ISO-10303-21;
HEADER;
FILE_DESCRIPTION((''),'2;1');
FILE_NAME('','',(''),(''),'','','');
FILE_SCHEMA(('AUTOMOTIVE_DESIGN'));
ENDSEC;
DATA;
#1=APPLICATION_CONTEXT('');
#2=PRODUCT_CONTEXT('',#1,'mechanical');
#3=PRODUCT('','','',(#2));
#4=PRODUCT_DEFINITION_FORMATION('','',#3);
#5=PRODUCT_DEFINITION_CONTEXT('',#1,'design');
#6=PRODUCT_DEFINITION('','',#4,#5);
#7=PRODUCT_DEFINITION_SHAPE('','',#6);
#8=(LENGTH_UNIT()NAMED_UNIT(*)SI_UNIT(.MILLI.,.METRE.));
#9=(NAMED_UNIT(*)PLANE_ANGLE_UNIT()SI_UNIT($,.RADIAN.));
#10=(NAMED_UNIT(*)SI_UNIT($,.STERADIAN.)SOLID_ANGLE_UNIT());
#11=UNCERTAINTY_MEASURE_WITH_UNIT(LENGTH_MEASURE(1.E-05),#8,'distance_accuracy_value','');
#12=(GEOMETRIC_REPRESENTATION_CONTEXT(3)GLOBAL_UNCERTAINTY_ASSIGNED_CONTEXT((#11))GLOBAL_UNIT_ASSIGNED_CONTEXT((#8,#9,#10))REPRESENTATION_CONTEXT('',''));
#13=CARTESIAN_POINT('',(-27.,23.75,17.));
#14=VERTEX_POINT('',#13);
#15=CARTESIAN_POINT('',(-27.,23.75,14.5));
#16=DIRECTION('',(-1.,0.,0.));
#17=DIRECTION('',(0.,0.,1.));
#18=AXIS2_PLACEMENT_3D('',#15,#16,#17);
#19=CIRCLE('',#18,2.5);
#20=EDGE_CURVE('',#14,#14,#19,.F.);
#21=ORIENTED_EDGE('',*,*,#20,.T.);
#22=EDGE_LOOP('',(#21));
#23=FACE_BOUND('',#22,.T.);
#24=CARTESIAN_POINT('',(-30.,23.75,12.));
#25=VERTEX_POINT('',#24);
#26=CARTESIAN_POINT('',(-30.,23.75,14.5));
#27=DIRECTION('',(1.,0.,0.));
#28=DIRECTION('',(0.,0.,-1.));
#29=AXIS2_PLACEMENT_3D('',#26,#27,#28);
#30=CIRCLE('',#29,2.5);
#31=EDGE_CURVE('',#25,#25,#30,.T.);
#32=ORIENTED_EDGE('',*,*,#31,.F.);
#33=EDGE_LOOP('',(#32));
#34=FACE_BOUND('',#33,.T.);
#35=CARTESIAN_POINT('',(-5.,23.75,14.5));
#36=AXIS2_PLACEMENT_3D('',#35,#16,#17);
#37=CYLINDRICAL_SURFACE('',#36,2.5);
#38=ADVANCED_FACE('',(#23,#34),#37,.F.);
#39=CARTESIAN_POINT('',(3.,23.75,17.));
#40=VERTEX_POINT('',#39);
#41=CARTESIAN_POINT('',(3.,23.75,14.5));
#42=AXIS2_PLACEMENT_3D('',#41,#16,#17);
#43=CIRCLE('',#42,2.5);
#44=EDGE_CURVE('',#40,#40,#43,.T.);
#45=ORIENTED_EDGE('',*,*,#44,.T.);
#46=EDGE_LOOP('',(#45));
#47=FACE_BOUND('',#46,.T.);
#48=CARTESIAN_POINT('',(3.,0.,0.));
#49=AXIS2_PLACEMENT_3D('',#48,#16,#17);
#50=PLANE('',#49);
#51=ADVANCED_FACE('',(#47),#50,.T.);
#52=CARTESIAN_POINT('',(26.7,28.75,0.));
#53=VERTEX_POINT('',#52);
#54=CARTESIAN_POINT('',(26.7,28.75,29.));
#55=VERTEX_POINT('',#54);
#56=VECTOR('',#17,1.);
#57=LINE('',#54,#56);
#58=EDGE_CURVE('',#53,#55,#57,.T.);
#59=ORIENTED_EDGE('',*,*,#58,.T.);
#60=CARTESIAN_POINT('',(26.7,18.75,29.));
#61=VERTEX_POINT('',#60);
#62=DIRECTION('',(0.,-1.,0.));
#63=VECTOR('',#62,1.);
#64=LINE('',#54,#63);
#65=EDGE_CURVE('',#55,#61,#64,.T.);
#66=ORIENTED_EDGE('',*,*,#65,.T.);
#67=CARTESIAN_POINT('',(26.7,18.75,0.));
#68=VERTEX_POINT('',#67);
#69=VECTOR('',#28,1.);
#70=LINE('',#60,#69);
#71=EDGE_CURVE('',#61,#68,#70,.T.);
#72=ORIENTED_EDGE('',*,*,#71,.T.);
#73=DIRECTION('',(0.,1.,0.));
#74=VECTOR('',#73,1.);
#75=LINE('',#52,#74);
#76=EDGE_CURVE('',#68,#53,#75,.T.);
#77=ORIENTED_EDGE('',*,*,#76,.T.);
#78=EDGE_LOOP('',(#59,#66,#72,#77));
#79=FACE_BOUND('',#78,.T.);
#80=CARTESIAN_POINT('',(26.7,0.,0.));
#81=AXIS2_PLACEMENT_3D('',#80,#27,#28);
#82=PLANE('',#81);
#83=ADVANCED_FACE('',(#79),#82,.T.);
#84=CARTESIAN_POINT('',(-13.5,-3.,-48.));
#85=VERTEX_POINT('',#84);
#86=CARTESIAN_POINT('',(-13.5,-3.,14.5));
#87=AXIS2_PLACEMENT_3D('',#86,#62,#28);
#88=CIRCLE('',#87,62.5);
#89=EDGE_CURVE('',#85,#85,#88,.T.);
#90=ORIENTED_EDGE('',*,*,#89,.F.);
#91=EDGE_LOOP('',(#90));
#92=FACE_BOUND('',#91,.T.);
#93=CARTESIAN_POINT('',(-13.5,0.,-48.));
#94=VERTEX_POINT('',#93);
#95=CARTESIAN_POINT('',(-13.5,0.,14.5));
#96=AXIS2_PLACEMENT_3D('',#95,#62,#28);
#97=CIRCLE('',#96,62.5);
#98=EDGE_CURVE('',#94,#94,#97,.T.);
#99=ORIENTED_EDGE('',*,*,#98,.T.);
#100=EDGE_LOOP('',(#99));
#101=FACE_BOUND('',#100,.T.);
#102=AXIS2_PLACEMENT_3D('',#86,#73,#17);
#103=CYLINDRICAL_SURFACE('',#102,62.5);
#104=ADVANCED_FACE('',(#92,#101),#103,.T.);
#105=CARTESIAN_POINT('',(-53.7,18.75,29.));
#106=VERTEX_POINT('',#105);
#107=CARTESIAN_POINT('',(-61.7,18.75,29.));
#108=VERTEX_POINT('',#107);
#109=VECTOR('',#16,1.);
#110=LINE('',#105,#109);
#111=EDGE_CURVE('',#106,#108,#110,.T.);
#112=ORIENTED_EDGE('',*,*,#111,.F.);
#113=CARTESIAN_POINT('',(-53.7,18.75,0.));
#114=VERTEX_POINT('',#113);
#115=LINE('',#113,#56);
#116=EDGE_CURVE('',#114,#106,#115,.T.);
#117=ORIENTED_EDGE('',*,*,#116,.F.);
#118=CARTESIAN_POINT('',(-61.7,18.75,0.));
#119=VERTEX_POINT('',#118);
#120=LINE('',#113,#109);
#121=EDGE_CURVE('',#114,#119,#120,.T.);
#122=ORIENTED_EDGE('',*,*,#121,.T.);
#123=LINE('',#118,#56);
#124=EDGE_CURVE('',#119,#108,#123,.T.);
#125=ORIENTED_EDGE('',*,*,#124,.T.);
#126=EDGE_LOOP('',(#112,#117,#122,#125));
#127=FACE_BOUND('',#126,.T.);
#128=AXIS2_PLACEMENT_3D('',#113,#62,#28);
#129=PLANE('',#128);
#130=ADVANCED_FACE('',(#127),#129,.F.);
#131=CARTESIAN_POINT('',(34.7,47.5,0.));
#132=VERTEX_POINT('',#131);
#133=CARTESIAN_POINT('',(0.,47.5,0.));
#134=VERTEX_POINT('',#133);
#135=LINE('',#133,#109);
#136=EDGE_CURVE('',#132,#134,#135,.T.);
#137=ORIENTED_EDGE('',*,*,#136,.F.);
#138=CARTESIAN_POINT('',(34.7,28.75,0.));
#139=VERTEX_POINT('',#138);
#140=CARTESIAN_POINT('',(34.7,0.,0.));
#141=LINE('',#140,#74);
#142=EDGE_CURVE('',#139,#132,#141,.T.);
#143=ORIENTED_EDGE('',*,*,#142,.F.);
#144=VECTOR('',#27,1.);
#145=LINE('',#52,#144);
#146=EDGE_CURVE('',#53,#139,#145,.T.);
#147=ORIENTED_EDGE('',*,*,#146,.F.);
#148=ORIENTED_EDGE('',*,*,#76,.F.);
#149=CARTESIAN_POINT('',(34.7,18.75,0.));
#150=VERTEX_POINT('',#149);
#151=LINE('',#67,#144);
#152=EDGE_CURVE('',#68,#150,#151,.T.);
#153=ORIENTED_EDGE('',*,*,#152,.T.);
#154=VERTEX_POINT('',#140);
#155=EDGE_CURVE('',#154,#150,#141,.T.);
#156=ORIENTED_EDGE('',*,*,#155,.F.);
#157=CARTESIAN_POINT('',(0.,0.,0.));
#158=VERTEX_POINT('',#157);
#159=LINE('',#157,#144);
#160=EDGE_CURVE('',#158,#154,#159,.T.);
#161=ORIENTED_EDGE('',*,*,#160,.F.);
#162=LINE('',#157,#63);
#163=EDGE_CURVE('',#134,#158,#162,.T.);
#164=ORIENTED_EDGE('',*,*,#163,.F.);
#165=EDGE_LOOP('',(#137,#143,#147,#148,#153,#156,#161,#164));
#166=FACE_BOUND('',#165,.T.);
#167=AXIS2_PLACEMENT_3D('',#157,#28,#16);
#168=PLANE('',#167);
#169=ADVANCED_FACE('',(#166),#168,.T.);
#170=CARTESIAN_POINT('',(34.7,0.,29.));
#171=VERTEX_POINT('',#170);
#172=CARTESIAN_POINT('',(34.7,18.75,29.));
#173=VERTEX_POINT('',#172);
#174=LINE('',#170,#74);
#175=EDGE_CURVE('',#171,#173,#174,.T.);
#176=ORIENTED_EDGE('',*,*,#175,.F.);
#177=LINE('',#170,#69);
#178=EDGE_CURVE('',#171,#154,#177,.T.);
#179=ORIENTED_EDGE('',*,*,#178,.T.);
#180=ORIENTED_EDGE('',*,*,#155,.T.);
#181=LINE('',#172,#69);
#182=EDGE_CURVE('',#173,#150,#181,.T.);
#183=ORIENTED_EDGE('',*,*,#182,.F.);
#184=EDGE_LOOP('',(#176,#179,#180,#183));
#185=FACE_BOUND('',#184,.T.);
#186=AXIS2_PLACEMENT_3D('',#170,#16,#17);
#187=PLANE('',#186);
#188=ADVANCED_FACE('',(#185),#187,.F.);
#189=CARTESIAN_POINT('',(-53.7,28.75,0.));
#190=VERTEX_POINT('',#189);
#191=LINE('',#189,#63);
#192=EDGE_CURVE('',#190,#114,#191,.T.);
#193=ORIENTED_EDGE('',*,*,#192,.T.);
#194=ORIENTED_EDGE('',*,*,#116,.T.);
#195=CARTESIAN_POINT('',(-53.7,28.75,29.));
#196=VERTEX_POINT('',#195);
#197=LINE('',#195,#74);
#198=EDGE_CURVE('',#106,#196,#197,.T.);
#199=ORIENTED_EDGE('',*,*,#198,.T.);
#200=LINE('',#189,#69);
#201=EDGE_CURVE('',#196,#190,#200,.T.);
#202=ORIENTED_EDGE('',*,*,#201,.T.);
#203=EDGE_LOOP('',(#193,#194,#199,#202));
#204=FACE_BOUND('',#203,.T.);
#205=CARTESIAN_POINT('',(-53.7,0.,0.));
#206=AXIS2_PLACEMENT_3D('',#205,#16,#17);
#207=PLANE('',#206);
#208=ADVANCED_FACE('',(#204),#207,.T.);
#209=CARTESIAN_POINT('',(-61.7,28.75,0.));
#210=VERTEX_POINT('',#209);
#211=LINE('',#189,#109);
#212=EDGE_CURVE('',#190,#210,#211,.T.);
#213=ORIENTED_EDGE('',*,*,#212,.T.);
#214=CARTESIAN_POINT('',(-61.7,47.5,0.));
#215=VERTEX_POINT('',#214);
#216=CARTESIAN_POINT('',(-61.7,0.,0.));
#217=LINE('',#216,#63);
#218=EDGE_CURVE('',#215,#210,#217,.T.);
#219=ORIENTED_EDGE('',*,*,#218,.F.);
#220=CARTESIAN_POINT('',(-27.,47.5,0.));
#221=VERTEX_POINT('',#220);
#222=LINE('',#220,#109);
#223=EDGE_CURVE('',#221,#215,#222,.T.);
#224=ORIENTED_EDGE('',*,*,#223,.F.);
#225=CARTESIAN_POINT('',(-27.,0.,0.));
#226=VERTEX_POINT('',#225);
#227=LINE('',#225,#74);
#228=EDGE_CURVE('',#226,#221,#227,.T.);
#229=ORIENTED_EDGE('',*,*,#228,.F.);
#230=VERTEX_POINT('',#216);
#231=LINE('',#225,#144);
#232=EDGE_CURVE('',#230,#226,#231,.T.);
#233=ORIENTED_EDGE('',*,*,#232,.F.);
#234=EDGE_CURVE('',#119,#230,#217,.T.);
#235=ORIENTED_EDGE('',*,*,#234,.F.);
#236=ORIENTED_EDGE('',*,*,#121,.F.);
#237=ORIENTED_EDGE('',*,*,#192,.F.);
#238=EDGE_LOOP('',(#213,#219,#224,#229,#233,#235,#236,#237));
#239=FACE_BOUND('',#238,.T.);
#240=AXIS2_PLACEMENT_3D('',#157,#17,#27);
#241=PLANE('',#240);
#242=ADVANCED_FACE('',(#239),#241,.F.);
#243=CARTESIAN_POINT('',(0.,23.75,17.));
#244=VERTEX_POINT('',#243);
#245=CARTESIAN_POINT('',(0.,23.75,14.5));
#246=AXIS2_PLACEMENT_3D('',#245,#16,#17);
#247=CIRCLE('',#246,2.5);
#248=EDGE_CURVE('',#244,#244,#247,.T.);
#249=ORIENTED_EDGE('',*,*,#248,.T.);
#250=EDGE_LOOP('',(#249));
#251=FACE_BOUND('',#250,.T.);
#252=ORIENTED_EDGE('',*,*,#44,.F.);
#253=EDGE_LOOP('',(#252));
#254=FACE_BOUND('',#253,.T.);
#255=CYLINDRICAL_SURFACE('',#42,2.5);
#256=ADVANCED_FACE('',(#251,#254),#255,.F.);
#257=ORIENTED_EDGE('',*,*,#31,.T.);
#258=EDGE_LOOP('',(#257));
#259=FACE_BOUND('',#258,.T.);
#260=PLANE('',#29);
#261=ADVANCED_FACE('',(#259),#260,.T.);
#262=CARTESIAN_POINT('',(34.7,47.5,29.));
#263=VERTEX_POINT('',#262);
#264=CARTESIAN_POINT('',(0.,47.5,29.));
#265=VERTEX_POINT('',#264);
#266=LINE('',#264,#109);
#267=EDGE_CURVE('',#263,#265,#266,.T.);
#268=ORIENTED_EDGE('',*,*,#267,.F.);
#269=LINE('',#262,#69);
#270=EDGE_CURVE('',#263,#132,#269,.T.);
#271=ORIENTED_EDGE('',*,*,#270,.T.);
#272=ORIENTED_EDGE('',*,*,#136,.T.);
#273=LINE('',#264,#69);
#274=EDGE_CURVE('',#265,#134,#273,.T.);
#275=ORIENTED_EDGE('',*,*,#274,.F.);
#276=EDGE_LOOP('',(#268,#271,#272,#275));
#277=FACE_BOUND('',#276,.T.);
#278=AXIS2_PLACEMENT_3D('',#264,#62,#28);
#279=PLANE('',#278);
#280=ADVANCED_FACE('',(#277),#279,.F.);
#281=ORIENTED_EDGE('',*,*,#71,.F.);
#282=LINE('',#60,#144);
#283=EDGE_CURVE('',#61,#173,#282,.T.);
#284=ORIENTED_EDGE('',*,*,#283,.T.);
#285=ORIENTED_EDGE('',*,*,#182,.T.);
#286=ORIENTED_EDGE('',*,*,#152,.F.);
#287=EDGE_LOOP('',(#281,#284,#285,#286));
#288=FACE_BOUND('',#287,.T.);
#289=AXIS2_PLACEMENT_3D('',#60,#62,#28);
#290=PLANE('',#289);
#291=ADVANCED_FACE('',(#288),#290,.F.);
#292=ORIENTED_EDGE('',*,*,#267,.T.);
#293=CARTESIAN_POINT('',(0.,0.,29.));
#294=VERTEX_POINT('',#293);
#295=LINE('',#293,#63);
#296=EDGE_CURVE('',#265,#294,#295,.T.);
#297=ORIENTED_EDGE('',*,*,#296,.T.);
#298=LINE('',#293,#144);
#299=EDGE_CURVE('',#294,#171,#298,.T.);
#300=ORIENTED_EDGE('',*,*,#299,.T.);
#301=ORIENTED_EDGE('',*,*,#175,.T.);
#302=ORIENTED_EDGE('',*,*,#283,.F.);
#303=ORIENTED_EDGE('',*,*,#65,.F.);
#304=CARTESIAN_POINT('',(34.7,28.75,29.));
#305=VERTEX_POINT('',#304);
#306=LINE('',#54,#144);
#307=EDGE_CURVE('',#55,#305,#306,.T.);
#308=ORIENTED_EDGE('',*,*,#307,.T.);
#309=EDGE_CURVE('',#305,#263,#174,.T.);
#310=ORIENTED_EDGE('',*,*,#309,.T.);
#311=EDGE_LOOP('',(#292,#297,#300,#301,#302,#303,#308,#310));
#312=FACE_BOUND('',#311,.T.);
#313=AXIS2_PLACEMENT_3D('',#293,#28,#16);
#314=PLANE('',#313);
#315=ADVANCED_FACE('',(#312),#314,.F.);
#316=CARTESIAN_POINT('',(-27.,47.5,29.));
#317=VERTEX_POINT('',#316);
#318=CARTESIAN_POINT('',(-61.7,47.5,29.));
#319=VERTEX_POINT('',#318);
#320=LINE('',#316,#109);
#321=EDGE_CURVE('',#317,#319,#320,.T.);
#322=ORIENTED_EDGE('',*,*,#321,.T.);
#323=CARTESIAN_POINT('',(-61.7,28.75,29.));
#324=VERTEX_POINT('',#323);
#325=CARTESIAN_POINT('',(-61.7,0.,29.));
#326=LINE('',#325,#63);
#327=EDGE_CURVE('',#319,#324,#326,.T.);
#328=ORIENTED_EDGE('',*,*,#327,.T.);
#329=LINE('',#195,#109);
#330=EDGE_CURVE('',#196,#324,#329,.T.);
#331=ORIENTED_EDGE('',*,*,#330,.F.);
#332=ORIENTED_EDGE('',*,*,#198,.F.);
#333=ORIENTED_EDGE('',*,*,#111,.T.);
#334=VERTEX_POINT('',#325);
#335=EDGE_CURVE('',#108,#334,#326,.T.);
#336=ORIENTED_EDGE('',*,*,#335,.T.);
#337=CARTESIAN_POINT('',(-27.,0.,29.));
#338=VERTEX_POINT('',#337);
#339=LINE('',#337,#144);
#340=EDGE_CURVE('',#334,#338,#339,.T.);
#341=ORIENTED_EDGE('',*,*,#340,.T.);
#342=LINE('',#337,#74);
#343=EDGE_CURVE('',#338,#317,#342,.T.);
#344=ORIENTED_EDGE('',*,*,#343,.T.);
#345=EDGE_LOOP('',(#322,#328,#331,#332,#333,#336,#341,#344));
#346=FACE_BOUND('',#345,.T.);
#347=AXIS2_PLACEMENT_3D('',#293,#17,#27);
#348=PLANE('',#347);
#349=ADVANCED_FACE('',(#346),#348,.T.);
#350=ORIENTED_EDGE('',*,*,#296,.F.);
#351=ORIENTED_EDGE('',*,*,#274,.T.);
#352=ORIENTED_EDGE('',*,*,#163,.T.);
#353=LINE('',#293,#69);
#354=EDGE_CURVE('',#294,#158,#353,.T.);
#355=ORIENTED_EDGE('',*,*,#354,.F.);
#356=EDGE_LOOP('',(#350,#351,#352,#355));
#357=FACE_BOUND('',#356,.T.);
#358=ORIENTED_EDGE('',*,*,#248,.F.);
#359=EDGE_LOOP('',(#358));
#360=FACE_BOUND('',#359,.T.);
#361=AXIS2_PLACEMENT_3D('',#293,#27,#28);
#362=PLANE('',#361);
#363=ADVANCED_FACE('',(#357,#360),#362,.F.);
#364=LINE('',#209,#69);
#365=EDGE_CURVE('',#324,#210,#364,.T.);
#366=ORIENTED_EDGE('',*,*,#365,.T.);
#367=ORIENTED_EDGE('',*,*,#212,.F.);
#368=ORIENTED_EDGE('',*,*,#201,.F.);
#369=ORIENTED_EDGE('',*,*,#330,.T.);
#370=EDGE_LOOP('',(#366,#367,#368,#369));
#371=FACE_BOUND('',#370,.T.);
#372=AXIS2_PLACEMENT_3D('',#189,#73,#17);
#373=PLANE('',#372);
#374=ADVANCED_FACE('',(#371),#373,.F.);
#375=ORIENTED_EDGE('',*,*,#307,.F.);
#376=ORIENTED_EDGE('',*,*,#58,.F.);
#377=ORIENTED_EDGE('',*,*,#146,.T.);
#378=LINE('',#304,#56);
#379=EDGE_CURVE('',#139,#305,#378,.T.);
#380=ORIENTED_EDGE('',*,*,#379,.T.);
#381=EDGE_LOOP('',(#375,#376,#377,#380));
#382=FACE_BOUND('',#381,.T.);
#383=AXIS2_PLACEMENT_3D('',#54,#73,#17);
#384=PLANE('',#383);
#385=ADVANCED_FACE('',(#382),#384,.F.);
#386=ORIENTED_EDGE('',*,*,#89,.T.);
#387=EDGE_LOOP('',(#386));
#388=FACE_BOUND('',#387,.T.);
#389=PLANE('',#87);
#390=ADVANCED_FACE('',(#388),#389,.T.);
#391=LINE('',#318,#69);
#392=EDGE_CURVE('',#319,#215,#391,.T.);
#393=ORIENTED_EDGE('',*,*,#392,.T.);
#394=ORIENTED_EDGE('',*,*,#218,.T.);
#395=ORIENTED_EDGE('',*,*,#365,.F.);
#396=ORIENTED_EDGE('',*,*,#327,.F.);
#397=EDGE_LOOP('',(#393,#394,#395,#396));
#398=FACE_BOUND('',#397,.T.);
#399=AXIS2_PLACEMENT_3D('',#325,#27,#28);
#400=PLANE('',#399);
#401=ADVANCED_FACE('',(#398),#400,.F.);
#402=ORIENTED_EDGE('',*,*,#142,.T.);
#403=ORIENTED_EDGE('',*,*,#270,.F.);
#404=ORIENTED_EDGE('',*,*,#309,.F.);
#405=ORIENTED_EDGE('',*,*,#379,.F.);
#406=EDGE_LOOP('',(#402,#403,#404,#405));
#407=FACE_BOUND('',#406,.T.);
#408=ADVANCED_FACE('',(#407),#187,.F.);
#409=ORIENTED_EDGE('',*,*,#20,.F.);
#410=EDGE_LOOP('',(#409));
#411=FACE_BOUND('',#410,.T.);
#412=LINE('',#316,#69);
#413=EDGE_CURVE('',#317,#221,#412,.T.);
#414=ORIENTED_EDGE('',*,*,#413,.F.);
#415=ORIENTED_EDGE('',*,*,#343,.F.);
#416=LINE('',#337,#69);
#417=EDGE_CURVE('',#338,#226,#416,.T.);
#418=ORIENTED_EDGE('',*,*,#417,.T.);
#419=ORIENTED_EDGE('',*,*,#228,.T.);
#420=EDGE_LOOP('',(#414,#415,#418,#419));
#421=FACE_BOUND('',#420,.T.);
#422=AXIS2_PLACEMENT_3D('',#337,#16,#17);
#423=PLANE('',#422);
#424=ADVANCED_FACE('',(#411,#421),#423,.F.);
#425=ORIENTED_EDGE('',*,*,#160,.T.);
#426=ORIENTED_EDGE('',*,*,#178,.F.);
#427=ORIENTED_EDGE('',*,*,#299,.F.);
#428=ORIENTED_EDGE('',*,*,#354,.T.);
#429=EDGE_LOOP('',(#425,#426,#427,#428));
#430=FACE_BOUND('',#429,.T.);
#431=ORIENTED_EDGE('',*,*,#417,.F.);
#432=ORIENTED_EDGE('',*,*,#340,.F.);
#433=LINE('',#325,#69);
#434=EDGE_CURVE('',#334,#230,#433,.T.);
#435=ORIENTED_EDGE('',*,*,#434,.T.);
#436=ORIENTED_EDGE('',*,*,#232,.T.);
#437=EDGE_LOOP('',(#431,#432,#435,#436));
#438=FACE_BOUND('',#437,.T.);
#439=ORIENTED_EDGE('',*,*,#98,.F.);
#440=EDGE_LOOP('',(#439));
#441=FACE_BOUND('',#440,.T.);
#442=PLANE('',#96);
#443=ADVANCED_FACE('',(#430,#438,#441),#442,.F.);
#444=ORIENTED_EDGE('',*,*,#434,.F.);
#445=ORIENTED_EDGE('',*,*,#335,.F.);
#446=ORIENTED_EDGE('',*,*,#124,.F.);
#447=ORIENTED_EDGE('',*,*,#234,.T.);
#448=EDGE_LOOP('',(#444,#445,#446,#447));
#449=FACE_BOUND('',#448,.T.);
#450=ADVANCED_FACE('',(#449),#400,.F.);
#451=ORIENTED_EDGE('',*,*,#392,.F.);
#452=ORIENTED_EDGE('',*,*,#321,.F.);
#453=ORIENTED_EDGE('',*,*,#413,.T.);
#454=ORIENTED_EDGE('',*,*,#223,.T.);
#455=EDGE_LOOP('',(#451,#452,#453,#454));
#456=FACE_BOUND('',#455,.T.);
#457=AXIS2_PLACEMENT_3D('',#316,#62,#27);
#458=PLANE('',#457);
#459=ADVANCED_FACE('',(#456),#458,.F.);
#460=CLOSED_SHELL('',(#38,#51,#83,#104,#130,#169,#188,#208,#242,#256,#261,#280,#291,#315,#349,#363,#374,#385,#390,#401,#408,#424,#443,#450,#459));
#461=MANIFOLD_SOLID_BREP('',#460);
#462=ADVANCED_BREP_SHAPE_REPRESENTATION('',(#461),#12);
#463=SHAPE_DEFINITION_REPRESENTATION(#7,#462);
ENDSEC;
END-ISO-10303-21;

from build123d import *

# Parameters (mm, degrees)
SKETCH_1_W               = 34.7
SKETCH_1_H               = 47.5
EXTRUDE_1_DEPTH          = 29
EXTRUDE_1_2_DEPTH        = 29
SKETCH_2_W               = 29
SKETCH_2_H               = 10
CUT_EXTRUDE_1_DEPTH      = 8
SKETCH_3_W               = 29
SKETCH_3_H               = 10
CUT_EXTRUDE_2_DEPTH      = 8
SKETCH_4_R               = 62.5
EXTRUDE_2_DEPTH          = 3
CUT_EXTRUDE_3_DEPTH      = 22
CUT_EXTRUDE_3_DEPTH_BACK = 3
SKETCH_5_R               = 2.5
CUT_EXTRUDE_START        = -3
CUT_EXTRUDE_4_DEPTH      = 3


with BuildPart() as part:
    # 草图1 → 凸台-拉伸1 (new body)
    with BuildSketch(Plane.XY):
        with Locations((17.35, 23.75)):
            Rectangle(SKETCH_1_W, SKETCH_1_H)
    extrude(amount=EXTRUDE_1_DEPTH)

    # 草图2 → 切除-拉伸1 (cut)
    with BuildSketch(Plane(origin=(34.7, 0, 0), x_dir=(0, 0, -1), z_dir=(1, 0, 0))):
        with Locations((-14.5, 23.75)):
            Rectangle(SKETCH_2_W, SKETCH_2_H)
    extrude(amount=-CUT_EXTRUDE_1_DEPTH, mode=Mode.SUBTRACT)



with BuildPart() as body_2:
    # 草图1 → Extrude 1 2 (new body)
    with BuildSketch(Plane.XY):
        with Locations((-44.35, 23.75)):
            Rectangle(SKETCH_1_W, SKETCH_1_H)
    extrude(amount=EXTRUDE_1_2_DEPTH)

    # 草图3 → 切除-拉伸2 (cut)
    with BuildSketch(Plane.ZY.offset(61.7)):
        with Locations((14.5, 23.75)):
            Rectangle(SKETCH_3_W, SKETCH_3_H)
    extrude(amount=-CUT_EXTRUDE_2_DEPTH, mode=Mode.SUBTRACT)


with BuildPart() as part_1:
    add(part.part)

    add(body_2.part)  # 凸台-拉伸2 merges body 2
    # 草图4 → 凸台-拉伸2 (add)
    with BuildSketch(Plane.XZ):
        with Locations(Location((-13.5, 14.5, 0), (0, 0, 270))):
            Circle(SKETCH_4_R)
    extrude(amount=EXTRUDE_2_DEPTH)

    # 草图5 → 切除-拉伸3 (cut, two sides: drawn at the far end of the back side and taken through both)
    with BuildSketch(Plane(origin=(-27, 0, 0), x_dir=(0, 0, -1), z_dir=(1, 0, 0)).offset(-CUT_EXTRUDE_3_DEPTH_BACK)):
        with Locations(Location((-14.5, 23.75, 0), (0, 0, 180))):
            Circle(SKETCH_5_R)
    extrude(amount=CUT_EXTRUDE_3_DEPTH + CUT_EXTRUDE_3_DEPTH_BACK, mode=Mode.SUBTRACT)

    # 草图6 → 切除-拉伸4 (cut)
    with BuildSketch(Plane.ZY.offset(CUT_EXTRUDE_START)):
        with BuildLine():
            ThreePointArc((17, 23.75), (16.267766953, 25.517766953), (14.5, 26.25))
            Line((14.5, 26.25), (14.5, 23.75))
            Line((14.5, 23.75), (17, 23.75))
        make_face()
        with BuildLine():
            Line((14.5, 23.75), (14.5, 26.25))
            ThreePointArc((14.5, 26.25), (12.732233047, 25.517766953), (12, 23.75))
            Line((12, 23.75), (14.5, 23.75))
        make_face()
        with BuildLine():
            Line((17, 23.75), (14.5, 23.75))
            Line((14.5, 23.75), (14.5, 21.25))
            ThreePointArc((14.5, 21.25), (16.267766953, 21.982233047), (17, 23.75))
        make_face()
        with BuildLine():
            Line((14.5, 21.25), (14.5, 23.75))
            Line((14.5, 23.75), (12, 23.75))
            ThreePointArc((12, 23.75), (12.732233047, 21.982233047), (14.5, 21.25))
        make_face()
    extrude(amount=CUT_EXTRUDE_4_DEPTH, mode=Mode.SUBTRACT)


solid = part_1.part
